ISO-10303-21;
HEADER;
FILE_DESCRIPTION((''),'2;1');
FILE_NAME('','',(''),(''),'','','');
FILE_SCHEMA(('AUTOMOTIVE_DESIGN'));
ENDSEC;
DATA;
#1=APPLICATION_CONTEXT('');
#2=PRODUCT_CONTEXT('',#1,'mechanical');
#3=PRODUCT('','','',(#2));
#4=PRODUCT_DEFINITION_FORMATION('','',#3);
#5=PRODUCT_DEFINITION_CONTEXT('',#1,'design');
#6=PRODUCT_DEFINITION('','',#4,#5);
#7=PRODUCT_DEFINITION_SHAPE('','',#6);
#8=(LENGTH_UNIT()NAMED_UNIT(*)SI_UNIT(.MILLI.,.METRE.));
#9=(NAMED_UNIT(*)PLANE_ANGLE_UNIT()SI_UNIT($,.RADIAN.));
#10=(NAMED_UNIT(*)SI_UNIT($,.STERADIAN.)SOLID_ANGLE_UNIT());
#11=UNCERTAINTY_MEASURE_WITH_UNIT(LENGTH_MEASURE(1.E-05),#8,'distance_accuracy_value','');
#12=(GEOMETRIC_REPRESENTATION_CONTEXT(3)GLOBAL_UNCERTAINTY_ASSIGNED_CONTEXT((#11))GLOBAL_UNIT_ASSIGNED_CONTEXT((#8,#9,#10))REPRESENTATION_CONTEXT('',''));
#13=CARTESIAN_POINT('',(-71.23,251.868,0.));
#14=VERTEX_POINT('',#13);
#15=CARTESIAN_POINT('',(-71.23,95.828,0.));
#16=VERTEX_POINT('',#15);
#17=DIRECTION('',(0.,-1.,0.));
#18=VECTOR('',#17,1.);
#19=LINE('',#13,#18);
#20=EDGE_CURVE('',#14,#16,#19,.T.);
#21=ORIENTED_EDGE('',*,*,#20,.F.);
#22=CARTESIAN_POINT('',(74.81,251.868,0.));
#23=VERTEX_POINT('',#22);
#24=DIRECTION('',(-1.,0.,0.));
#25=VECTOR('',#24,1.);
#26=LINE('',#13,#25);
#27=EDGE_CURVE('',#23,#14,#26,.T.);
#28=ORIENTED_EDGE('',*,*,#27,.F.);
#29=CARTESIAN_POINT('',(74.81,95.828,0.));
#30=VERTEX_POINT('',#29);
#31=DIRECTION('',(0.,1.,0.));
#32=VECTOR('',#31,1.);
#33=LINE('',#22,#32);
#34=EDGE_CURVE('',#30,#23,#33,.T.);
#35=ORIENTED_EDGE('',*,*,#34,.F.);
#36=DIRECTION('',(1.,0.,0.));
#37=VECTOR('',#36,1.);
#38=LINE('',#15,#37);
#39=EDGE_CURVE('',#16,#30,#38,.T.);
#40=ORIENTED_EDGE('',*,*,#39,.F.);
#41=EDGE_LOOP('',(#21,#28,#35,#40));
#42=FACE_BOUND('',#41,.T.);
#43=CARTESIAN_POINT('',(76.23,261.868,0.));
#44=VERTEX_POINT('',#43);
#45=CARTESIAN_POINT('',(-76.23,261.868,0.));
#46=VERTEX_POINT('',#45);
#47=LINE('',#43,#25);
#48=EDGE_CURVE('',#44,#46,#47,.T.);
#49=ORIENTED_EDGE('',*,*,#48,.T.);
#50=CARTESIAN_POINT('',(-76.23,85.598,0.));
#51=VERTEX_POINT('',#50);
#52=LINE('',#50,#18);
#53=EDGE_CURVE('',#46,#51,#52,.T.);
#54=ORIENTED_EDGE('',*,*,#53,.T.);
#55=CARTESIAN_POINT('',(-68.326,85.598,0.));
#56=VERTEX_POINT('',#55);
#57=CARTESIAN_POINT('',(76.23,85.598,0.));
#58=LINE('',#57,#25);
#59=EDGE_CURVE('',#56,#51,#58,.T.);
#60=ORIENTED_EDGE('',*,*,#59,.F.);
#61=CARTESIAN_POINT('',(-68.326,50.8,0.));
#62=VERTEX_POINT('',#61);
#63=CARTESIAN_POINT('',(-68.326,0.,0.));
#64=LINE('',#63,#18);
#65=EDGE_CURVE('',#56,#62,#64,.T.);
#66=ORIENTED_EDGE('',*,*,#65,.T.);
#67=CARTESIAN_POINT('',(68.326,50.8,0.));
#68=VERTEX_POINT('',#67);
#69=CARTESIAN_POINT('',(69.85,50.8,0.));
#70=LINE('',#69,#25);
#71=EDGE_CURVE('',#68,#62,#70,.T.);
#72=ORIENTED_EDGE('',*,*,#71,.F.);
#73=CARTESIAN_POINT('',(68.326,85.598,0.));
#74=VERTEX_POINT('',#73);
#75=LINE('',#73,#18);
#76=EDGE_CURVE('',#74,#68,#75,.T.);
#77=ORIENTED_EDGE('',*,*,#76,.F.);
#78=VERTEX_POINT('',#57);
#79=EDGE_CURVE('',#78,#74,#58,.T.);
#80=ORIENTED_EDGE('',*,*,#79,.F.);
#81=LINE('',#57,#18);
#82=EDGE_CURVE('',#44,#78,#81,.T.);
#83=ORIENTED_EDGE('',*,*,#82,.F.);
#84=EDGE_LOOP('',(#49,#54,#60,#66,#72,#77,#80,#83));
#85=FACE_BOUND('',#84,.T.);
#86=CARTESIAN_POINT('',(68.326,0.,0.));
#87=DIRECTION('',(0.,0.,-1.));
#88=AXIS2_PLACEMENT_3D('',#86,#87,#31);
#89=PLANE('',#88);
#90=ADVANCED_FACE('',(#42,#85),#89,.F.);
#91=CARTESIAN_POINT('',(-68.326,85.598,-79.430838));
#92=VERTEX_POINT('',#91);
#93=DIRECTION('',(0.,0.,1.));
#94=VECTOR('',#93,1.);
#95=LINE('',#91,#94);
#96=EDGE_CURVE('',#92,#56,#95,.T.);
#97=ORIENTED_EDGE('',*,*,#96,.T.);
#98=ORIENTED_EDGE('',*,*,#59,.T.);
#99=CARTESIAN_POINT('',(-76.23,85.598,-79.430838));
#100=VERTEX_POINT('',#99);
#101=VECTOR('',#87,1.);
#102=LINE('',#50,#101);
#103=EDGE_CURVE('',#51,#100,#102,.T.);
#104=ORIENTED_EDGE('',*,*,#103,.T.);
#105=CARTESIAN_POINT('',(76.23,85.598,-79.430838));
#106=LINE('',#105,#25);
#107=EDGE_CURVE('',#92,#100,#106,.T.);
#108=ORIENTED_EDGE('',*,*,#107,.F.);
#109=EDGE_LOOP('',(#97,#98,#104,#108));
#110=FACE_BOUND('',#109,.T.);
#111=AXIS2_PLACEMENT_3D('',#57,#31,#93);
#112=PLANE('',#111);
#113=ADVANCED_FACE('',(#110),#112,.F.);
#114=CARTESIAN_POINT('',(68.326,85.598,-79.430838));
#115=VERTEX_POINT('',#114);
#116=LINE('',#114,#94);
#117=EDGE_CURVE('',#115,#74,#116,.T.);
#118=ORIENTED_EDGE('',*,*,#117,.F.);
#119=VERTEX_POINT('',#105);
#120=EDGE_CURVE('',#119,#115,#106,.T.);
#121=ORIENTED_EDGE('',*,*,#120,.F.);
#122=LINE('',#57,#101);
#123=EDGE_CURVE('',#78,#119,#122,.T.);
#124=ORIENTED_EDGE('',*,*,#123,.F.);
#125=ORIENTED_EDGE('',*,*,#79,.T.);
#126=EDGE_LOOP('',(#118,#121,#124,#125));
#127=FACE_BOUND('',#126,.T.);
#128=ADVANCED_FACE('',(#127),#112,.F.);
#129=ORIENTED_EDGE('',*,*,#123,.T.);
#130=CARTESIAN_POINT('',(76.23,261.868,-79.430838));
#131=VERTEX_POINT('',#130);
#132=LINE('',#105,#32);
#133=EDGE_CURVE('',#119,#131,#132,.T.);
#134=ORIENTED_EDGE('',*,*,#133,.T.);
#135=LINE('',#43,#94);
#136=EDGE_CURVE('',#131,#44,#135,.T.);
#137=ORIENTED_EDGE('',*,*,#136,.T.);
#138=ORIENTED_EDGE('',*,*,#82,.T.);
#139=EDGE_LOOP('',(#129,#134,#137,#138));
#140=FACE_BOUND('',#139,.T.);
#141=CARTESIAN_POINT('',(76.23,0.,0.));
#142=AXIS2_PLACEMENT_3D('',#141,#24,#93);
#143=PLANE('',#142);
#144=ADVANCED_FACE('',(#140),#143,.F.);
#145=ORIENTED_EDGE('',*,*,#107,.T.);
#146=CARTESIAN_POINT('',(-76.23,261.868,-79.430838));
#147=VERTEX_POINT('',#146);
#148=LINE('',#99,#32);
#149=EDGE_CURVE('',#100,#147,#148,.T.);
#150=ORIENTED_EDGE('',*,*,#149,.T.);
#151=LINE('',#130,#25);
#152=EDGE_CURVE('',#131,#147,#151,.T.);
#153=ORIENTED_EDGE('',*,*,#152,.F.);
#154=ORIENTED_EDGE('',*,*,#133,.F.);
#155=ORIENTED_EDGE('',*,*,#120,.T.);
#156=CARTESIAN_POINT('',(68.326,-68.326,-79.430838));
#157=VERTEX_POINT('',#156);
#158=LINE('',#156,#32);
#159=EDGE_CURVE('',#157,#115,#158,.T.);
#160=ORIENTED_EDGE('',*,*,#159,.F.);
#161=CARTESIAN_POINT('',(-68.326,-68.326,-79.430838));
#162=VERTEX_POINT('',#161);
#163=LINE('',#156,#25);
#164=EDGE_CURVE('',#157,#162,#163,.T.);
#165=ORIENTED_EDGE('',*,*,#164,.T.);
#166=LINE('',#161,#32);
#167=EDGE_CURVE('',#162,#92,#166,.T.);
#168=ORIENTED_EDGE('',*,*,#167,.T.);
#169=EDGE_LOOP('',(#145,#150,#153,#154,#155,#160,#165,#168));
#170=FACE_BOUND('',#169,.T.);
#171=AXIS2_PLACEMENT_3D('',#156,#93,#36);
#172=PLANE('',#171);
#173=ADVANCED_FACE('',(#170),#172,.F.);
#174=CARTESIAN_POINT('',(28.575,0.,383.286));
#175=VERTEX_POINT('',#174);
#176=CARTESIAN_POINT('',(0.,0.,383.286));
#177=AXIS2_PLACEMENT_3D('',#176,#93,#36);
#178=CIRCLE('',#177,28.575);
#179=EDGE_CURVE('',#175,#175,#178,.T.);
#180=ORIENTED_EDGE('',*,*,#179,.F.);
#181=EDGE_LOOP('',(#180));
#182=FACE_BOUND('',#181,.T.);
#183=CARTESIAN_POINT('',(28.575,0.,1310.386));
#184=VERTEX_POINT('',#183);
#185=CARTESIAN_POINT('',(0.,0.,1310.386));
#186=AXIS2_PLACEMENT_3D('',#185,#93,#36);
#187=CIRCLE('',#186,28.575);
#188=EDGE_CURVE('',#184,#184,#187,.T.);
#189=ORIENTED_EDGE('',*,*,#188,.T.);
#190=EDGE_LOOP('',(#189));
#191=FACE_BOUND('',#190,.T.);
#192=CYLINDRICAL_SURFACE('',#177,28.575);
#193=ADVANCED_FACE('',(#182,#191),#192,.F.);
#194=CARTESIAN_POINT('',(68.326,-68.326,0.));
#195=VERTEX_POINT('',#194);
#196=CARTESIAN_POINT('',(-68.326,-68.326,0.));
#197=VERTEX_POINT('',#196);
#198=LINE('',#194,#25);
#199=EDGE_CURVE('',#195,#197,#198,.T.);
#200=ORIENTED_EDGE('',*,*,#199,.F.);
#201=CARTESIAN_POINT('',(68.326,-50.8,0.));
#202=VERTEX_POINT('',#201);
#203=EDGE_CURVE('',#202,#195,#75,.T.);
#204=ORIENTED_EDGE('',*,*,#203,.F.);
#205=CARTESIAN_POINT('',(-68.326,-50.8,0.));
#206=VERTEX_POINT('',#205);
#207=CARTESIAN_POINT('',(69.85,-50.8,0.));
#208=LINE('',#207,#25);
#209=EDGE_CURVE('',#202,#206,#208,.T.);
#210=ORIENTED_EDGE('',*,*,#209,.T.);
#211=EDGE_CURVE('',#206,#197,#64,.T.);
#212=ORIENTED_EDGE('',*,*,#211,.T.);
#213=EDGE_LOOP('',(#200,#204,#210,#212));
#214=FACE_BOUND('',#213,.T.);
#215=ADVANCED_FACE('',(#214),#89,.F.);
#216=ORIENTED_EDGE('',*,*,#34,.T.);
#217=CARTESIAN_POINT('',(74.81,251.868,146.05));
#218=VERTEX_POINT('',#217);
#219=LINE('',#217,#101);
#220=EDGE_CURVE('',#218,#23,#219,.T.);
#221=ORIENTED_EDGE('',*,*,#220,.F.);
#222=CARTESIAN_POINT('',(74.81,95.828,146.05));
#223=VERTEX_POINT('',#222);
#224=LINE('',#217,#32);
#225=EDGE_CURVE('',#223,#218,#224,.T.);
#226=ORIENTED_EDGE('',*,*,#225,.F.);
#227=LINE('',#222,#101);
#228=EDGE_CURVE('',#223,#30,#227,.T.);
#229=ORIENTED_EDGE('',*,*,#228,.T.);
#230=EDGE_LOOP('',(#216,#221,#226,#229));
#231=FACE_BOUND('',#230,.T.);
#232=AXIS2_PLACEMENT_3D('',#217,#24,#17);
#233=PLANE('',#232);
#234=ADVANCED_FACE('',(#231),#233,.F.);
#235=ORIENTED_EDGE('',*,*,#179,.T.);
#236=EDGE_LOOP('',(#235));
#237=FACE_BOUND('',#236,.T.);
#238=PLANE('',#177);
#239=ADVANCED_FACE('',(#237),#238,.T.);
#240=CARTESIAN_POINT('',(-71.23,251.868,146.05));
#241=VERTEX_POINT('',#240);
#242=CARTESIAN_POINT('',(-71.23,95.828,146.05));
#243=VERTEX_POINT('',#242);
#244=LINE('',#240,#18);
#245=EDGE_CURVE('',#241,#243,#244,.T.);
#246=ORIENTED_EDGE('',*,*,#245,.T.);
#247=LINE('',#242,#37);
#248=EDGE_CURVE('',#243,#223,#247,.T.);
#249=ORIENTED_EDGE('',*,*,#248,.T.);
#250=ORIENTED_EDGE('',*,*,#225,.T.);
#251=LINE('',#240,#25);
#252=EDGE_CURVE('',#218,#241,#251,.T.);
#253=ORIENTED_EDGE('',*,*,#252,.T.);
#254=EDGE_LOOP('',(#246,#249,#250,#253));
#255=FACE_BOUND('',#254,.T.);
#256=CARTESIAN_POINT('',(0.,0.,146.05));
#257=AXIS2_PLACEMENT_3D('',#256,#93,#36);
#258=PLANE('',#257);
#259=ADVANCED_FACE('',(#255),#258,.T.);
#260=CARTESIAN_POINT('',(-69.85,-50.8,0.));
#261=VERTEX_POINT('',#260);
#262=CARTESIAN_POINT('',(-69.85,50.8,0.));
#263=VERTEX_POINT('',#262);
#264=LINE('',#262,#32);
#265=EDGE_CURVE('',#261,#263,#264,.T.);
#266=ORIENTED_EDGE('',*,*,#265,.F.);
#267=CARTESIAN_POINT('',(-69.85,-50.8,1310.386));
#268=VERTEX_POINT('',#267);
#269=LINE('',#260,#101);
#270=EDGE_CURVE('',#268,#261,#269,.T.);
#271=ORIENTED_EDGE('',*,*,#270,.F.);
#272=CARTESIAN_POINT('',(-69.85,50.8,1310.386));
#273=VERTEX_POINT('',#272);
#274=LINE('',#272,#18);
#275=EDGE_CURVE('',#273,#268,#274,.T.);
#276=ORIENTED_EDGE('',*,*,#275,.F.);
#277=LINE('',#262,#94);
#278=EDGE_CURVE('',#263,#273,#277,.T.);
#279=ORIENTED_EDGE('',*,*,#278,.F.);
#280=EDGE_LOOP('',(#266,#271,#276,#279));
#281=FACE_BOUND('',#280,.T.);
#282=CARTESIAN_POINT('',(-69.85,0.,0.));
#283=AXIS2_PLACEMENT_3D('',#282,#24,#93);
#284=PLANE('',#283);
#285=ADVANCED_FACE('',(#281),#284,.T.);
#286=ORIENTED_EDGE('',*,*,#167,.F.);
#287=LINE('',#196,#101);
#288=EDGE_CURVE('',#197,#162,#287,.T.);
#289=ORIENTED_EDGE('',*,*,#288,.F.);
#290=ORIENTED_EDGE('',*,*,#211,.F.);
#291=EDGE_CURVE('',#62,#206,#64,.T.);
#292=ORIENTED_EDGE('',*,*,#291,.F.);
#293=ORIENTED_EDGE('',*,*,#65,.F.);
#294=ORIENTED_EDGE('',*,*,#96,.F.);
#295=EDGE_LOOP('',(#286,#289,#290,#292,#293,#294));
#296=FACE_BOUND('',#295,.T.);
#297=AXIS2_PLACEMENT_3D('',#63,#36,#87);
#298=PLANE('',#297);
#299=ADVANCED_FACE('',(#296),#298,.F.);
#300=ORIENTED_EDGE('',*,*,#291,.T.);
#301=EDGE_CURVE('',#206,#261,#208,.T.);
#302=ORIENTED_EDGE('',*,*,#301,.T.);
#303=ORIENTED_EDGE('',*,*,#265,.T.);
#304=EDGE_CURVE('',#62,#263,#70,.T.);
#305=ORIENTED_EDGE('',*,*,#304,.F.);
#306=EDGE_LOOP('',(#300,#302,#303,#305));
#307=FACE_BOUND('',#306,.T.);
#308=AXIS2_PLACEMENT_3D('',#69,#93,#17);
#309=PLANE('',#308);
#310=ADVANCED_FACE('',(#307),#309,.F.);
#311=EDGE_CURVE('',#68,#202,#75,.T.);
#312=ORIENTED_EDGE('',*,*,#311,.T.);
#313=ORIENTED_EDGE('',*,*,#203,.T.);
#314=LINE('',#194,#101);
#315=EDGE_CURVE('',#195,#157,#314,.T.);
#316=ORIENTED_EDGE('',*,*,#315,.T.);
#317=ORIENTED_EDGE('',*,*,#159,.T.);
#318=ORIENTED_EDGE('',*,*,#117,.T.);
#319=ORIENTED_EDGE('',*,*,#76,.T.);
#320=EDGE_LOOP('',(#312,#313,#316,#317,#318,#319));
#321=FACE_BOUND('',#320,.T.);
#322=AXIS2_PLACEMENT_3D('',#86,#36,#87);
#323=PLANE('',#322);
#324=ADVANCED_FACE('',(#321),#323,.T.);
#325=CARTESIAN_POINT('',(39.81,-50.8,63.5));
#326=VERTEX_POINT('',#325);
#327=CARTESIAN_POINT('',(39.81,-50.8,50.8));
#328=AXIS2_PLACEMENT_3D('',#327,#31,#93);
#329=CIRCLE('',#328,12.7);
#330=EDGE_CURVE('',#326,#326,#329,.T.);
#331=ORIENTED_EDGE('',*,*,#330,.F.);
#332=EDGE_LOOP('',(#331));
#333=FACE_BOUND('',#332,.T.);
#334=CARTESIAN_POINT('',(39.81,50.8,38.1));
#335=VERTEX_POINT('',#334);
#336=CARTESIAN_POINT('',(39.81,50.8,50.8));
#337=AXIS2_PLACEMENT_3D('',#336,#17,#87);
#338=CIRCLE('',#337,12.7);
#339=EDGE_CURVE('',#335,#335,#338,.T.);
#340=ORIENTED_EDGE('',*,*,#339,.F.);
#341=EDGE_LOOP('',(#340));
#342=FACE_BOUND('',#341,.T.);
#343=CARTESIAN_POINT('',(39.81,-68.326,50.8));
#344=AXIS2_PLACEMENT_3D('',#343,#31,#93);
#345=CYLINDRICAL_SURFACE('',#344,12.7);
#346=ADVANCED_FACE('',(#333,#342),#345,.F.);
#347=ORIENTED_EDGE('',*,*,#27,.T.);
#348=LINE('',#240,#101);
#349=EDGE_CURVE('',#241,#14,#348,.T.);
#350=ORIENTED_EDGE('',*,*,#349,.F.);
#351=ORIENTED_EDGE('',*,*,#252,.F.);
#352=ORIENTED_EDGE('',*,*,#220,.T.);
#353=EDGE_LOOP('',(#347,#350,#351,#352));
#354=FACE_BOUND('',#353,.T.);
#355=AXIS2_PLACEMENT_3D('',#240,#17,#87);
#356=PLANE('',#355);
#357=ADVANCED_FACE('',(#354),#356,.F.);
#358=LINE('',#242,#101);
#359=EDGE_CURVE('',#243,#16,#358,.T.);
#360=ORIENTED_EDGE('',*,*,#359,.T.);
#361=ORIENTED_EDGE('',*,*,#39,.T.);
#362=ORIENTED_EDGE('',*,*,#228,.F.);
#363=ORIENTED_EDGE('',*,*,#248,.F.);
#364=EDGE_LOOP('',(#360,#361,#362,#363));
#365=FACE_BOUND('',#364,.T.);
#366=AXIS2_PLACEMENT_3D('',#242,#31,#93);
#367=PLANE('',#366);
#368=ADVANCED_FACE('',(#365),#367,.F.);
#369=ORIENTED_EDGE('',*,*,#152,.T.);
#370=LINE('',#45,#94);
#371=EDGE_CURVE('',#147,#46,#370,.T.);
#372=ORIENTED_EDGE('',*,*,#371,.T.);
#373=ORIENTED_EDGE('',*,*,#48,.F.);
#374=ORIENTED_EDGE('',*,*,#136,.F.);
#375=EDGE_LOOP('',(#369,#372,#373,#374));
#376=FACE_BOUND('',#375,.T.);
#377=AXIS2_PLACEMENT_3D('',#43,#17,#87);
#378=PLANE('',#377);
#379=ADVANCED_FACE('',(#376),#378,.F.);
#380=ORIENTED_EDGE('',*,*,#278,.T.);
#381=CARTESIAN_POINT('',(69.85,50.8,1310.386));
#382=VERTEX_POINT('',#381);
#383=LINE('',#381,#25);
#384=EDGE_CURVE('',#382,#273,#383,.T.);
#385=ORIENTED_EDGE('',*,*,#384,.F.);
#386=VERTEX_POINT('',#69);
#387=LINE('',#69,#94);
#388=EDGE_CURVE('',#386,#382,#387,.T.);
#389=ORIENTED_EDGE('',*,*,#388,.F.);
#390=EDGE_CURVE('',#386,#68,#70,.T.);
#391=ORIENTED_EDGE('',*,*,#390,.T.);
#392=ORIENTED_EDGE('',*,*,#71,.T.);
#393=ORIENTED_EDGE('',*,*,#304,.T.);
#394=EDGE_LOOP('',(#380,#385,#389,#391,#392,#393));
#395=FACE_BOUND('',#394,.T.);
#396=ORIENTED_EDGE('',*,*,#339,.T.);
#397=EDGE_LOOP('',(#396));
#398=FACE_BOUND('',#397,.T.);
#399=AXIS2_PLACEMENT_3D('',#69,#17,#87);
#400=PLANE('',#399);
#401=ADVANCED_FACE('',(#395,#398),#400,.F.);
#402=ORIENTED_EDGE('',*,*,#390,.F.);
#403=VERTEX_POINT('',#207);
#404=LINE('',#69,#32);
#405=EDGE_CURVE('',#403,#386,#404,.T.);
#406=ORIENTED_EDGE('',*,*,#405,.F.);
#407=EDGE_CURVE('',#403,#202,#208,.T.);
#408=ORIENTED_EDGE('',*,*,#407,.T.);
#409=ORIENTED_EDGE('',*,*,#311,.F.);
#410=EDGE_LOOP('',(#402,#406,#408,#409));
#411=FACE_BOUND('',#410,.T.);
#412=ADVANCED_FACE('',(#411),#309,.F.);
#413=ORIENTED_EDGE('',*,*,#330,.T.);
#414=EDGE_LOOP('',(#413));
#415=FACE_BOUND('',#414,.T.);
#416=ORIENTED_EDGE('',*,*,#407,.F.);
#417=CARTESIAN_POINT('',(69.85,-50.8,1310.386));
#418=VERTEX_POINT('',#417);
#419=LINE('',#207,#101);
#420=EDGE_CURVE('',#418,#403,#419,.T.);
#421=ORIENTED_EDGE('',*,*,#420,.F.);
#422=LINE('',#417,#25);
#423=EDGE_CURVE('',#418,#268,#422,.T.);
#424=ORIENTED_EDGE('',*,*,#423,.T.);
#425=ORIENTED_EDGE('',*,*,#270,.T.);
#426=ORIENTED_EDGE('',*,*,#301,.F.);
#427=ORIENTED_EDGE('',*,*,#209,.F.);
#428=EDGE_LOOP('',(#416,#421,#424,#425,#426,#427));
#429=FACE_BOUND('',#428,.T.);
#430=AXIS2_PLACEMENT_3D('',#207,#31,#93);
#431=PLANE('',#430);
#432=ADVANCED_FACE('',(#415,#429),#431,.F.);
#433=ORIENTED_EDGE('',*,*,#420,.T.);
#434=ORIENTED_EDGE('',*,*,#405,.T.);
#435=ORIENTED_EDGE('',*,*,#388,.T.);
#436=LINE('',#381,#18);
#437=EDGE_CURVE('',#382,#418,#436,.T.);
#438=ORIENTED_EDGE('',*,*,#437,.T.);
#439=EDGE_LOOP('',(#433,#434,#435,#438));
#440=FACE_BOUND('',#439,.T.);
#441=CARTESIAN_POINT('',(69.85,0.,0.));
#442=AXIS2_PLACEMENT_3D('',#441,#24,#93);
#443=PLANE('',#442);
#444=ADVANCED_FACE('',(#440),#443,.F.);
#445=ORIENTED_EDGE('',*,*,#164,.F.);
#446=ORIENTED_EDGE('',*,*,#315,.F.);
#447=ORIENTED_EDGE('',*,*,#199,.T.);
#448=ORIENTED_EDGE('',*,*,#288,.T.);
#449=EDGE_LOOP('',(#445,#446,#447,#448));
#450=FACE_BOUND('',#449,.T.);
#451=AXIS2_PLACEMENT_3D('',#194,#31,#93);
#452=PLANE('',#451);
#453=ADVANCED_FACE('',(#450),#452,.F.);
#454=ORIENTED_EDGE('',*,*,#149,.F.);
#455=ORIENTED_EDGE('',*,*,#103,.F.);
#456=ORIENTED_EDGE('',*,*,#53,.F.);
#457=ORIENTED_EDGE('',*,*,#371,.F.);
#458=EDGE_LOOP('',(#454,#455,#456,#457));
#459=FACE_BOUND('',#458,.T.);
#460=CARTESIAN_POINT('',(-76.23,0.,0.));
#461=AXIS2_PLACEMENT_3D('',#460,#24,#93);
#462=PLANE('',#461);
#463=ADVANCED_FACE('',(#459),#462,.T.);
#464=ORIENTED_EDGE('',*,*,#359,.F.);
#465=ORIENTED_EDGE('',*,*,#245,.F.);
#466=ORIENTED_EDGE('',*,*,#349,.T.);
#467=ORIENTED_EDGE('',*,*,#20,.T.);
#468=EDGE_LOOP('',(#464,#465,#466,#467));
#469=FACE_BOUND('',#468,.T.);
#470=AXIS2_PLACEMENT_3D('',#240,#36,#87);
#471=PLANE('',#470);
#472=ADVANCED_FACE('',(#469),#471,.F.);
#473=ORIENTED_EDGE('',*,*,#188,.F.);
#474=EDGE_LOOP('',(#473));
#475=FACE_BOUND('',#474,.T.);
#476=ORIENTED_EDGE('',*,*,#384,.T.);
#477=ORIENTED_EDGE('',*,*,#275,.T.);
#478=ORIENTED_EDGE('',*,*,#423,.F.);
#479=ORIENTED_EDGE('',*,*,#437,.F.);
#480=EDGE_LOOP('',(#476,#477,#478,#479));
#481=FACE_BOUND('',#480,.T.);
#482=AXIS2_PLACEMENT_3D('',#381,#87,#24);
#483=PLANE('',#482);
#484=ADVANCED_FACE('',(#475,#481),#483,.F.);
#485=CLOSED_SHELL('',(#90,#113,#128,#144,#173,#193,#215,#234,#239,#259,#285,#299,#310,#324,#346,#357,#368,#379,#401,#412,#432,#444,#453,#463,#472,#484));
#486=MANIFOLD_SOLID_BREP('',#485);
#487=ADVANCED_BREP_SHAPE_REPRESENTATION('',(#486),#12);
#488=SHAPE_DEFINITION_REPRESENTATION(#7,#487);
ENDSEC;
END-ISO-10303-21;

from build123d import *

# Parameters (mm, degrees)
SKETCH1_W               = 1310.386
SKETCH1_H               = 101.6
BOSS_EXTRUDE1_DEPTH     = 69.85
BOSS_EXTRUDE2_DEPTH     = 68.326
SKETCH3_W               = 79.430838384
SKETCH3_H               = 176.27
BOSS_EXTRUDE3_DEPTH     = 76.23
SKETCH4_W               = 146.04
SKETCH4_H               = 156.04
BOSS_EXTRUDE4_DEPTH     = 146.05
SKETCH5_R               = 28.575
CUT_EXTRUDE1_DEPTH      = 927.1
CUT_EXTRUDE2_DEPTH      = 10
CUT_EXTRUDE2_DEPTH_BACK = 1330.46311815
SKETCH6_R               = 12.7


with BuildPart() as part:
    # Sketch1 → Boss-Extrude1 (new, symmetric)
    with BuildSketch(Plane(origin=(0, 0, 0), x_dir=(0, 0, -1), z_dir=(1, 0, 0))):
        with Locations((-655.193, 0)):
            Rectangle(SKETCH1_W, SKETCH1_H)
    extrude(amount=BOSS_EXTRUDE1_DEPTH, both=True)

    # Sketch2 → Boss-Extrude2 (add, symmetric)
    with BuildSketch(Plane(origin=(0, 0, 0), x_dir=(0, 0, -1), z_dir=(1, 0, 0))):
        Polygon((0, 0), (0, -68.326), (79.430838384, -68.326), (79.430838384, 85.598), (0, 85.598), align=None)
    extrude(amount=BOSS_EXTRUDE2_DEPTH, both=True)

    # Sketch3 → Boss-Extrude3 (add, symmetric)
    with BuildSketch(Plane(origin=(0, 0, 0), x_dir=(0, 0, -1), z_dir=(1, 0, 0))):
        with Locations((39.715419192, 173.733)):
            Rectangle(SKETCH3_W, SKETCH3_H)
    extrude(amount=BOSS_EXTRUDE3_DEPTH, both=True)

    # Sketch4 → Boss-Extrude4 (add)
    with BuildSketch(Plane.XY):
        with Locations((1.79, 173.848)):
            Rectangle(SKETCH4_W, SKETCH4_H)
    extrude(amount=BOSS_EXTRUDE4_DEPTH)

    # Sketch5 → Cut-Extrude1 (cut)
    with BuildSketch(Plane.XY.offset(1310.386)):
        Circle(SKETCH5_R)
    extrude(amount=-CUT_EXTRUDE1_DEPTH, mode=Mode.SUBTRACT)

    # Sketch6 → Cut-Extrude2 (cut, two sides: drawn at the far end of the back side and taken through both)
    with BuildSketch(Plane(origin=(0, 50.8, 0), x_dir=(1, 0, 0), z_dir=(0, 1, 0)).offset(-CUT_EXTRUDE2_DEPTH_BACK)):
        with Locations(Location((39.81, -50.8, 0), (0, 0, 270))):
            Circle(SKETCH6_R)
    extrude(amount=CUT_EXTRUDE2_DEPTH + CUT_EXTRUDE2_DEPTH_BACK, mode=Mode.SUBTRACT)


solid = part.part
